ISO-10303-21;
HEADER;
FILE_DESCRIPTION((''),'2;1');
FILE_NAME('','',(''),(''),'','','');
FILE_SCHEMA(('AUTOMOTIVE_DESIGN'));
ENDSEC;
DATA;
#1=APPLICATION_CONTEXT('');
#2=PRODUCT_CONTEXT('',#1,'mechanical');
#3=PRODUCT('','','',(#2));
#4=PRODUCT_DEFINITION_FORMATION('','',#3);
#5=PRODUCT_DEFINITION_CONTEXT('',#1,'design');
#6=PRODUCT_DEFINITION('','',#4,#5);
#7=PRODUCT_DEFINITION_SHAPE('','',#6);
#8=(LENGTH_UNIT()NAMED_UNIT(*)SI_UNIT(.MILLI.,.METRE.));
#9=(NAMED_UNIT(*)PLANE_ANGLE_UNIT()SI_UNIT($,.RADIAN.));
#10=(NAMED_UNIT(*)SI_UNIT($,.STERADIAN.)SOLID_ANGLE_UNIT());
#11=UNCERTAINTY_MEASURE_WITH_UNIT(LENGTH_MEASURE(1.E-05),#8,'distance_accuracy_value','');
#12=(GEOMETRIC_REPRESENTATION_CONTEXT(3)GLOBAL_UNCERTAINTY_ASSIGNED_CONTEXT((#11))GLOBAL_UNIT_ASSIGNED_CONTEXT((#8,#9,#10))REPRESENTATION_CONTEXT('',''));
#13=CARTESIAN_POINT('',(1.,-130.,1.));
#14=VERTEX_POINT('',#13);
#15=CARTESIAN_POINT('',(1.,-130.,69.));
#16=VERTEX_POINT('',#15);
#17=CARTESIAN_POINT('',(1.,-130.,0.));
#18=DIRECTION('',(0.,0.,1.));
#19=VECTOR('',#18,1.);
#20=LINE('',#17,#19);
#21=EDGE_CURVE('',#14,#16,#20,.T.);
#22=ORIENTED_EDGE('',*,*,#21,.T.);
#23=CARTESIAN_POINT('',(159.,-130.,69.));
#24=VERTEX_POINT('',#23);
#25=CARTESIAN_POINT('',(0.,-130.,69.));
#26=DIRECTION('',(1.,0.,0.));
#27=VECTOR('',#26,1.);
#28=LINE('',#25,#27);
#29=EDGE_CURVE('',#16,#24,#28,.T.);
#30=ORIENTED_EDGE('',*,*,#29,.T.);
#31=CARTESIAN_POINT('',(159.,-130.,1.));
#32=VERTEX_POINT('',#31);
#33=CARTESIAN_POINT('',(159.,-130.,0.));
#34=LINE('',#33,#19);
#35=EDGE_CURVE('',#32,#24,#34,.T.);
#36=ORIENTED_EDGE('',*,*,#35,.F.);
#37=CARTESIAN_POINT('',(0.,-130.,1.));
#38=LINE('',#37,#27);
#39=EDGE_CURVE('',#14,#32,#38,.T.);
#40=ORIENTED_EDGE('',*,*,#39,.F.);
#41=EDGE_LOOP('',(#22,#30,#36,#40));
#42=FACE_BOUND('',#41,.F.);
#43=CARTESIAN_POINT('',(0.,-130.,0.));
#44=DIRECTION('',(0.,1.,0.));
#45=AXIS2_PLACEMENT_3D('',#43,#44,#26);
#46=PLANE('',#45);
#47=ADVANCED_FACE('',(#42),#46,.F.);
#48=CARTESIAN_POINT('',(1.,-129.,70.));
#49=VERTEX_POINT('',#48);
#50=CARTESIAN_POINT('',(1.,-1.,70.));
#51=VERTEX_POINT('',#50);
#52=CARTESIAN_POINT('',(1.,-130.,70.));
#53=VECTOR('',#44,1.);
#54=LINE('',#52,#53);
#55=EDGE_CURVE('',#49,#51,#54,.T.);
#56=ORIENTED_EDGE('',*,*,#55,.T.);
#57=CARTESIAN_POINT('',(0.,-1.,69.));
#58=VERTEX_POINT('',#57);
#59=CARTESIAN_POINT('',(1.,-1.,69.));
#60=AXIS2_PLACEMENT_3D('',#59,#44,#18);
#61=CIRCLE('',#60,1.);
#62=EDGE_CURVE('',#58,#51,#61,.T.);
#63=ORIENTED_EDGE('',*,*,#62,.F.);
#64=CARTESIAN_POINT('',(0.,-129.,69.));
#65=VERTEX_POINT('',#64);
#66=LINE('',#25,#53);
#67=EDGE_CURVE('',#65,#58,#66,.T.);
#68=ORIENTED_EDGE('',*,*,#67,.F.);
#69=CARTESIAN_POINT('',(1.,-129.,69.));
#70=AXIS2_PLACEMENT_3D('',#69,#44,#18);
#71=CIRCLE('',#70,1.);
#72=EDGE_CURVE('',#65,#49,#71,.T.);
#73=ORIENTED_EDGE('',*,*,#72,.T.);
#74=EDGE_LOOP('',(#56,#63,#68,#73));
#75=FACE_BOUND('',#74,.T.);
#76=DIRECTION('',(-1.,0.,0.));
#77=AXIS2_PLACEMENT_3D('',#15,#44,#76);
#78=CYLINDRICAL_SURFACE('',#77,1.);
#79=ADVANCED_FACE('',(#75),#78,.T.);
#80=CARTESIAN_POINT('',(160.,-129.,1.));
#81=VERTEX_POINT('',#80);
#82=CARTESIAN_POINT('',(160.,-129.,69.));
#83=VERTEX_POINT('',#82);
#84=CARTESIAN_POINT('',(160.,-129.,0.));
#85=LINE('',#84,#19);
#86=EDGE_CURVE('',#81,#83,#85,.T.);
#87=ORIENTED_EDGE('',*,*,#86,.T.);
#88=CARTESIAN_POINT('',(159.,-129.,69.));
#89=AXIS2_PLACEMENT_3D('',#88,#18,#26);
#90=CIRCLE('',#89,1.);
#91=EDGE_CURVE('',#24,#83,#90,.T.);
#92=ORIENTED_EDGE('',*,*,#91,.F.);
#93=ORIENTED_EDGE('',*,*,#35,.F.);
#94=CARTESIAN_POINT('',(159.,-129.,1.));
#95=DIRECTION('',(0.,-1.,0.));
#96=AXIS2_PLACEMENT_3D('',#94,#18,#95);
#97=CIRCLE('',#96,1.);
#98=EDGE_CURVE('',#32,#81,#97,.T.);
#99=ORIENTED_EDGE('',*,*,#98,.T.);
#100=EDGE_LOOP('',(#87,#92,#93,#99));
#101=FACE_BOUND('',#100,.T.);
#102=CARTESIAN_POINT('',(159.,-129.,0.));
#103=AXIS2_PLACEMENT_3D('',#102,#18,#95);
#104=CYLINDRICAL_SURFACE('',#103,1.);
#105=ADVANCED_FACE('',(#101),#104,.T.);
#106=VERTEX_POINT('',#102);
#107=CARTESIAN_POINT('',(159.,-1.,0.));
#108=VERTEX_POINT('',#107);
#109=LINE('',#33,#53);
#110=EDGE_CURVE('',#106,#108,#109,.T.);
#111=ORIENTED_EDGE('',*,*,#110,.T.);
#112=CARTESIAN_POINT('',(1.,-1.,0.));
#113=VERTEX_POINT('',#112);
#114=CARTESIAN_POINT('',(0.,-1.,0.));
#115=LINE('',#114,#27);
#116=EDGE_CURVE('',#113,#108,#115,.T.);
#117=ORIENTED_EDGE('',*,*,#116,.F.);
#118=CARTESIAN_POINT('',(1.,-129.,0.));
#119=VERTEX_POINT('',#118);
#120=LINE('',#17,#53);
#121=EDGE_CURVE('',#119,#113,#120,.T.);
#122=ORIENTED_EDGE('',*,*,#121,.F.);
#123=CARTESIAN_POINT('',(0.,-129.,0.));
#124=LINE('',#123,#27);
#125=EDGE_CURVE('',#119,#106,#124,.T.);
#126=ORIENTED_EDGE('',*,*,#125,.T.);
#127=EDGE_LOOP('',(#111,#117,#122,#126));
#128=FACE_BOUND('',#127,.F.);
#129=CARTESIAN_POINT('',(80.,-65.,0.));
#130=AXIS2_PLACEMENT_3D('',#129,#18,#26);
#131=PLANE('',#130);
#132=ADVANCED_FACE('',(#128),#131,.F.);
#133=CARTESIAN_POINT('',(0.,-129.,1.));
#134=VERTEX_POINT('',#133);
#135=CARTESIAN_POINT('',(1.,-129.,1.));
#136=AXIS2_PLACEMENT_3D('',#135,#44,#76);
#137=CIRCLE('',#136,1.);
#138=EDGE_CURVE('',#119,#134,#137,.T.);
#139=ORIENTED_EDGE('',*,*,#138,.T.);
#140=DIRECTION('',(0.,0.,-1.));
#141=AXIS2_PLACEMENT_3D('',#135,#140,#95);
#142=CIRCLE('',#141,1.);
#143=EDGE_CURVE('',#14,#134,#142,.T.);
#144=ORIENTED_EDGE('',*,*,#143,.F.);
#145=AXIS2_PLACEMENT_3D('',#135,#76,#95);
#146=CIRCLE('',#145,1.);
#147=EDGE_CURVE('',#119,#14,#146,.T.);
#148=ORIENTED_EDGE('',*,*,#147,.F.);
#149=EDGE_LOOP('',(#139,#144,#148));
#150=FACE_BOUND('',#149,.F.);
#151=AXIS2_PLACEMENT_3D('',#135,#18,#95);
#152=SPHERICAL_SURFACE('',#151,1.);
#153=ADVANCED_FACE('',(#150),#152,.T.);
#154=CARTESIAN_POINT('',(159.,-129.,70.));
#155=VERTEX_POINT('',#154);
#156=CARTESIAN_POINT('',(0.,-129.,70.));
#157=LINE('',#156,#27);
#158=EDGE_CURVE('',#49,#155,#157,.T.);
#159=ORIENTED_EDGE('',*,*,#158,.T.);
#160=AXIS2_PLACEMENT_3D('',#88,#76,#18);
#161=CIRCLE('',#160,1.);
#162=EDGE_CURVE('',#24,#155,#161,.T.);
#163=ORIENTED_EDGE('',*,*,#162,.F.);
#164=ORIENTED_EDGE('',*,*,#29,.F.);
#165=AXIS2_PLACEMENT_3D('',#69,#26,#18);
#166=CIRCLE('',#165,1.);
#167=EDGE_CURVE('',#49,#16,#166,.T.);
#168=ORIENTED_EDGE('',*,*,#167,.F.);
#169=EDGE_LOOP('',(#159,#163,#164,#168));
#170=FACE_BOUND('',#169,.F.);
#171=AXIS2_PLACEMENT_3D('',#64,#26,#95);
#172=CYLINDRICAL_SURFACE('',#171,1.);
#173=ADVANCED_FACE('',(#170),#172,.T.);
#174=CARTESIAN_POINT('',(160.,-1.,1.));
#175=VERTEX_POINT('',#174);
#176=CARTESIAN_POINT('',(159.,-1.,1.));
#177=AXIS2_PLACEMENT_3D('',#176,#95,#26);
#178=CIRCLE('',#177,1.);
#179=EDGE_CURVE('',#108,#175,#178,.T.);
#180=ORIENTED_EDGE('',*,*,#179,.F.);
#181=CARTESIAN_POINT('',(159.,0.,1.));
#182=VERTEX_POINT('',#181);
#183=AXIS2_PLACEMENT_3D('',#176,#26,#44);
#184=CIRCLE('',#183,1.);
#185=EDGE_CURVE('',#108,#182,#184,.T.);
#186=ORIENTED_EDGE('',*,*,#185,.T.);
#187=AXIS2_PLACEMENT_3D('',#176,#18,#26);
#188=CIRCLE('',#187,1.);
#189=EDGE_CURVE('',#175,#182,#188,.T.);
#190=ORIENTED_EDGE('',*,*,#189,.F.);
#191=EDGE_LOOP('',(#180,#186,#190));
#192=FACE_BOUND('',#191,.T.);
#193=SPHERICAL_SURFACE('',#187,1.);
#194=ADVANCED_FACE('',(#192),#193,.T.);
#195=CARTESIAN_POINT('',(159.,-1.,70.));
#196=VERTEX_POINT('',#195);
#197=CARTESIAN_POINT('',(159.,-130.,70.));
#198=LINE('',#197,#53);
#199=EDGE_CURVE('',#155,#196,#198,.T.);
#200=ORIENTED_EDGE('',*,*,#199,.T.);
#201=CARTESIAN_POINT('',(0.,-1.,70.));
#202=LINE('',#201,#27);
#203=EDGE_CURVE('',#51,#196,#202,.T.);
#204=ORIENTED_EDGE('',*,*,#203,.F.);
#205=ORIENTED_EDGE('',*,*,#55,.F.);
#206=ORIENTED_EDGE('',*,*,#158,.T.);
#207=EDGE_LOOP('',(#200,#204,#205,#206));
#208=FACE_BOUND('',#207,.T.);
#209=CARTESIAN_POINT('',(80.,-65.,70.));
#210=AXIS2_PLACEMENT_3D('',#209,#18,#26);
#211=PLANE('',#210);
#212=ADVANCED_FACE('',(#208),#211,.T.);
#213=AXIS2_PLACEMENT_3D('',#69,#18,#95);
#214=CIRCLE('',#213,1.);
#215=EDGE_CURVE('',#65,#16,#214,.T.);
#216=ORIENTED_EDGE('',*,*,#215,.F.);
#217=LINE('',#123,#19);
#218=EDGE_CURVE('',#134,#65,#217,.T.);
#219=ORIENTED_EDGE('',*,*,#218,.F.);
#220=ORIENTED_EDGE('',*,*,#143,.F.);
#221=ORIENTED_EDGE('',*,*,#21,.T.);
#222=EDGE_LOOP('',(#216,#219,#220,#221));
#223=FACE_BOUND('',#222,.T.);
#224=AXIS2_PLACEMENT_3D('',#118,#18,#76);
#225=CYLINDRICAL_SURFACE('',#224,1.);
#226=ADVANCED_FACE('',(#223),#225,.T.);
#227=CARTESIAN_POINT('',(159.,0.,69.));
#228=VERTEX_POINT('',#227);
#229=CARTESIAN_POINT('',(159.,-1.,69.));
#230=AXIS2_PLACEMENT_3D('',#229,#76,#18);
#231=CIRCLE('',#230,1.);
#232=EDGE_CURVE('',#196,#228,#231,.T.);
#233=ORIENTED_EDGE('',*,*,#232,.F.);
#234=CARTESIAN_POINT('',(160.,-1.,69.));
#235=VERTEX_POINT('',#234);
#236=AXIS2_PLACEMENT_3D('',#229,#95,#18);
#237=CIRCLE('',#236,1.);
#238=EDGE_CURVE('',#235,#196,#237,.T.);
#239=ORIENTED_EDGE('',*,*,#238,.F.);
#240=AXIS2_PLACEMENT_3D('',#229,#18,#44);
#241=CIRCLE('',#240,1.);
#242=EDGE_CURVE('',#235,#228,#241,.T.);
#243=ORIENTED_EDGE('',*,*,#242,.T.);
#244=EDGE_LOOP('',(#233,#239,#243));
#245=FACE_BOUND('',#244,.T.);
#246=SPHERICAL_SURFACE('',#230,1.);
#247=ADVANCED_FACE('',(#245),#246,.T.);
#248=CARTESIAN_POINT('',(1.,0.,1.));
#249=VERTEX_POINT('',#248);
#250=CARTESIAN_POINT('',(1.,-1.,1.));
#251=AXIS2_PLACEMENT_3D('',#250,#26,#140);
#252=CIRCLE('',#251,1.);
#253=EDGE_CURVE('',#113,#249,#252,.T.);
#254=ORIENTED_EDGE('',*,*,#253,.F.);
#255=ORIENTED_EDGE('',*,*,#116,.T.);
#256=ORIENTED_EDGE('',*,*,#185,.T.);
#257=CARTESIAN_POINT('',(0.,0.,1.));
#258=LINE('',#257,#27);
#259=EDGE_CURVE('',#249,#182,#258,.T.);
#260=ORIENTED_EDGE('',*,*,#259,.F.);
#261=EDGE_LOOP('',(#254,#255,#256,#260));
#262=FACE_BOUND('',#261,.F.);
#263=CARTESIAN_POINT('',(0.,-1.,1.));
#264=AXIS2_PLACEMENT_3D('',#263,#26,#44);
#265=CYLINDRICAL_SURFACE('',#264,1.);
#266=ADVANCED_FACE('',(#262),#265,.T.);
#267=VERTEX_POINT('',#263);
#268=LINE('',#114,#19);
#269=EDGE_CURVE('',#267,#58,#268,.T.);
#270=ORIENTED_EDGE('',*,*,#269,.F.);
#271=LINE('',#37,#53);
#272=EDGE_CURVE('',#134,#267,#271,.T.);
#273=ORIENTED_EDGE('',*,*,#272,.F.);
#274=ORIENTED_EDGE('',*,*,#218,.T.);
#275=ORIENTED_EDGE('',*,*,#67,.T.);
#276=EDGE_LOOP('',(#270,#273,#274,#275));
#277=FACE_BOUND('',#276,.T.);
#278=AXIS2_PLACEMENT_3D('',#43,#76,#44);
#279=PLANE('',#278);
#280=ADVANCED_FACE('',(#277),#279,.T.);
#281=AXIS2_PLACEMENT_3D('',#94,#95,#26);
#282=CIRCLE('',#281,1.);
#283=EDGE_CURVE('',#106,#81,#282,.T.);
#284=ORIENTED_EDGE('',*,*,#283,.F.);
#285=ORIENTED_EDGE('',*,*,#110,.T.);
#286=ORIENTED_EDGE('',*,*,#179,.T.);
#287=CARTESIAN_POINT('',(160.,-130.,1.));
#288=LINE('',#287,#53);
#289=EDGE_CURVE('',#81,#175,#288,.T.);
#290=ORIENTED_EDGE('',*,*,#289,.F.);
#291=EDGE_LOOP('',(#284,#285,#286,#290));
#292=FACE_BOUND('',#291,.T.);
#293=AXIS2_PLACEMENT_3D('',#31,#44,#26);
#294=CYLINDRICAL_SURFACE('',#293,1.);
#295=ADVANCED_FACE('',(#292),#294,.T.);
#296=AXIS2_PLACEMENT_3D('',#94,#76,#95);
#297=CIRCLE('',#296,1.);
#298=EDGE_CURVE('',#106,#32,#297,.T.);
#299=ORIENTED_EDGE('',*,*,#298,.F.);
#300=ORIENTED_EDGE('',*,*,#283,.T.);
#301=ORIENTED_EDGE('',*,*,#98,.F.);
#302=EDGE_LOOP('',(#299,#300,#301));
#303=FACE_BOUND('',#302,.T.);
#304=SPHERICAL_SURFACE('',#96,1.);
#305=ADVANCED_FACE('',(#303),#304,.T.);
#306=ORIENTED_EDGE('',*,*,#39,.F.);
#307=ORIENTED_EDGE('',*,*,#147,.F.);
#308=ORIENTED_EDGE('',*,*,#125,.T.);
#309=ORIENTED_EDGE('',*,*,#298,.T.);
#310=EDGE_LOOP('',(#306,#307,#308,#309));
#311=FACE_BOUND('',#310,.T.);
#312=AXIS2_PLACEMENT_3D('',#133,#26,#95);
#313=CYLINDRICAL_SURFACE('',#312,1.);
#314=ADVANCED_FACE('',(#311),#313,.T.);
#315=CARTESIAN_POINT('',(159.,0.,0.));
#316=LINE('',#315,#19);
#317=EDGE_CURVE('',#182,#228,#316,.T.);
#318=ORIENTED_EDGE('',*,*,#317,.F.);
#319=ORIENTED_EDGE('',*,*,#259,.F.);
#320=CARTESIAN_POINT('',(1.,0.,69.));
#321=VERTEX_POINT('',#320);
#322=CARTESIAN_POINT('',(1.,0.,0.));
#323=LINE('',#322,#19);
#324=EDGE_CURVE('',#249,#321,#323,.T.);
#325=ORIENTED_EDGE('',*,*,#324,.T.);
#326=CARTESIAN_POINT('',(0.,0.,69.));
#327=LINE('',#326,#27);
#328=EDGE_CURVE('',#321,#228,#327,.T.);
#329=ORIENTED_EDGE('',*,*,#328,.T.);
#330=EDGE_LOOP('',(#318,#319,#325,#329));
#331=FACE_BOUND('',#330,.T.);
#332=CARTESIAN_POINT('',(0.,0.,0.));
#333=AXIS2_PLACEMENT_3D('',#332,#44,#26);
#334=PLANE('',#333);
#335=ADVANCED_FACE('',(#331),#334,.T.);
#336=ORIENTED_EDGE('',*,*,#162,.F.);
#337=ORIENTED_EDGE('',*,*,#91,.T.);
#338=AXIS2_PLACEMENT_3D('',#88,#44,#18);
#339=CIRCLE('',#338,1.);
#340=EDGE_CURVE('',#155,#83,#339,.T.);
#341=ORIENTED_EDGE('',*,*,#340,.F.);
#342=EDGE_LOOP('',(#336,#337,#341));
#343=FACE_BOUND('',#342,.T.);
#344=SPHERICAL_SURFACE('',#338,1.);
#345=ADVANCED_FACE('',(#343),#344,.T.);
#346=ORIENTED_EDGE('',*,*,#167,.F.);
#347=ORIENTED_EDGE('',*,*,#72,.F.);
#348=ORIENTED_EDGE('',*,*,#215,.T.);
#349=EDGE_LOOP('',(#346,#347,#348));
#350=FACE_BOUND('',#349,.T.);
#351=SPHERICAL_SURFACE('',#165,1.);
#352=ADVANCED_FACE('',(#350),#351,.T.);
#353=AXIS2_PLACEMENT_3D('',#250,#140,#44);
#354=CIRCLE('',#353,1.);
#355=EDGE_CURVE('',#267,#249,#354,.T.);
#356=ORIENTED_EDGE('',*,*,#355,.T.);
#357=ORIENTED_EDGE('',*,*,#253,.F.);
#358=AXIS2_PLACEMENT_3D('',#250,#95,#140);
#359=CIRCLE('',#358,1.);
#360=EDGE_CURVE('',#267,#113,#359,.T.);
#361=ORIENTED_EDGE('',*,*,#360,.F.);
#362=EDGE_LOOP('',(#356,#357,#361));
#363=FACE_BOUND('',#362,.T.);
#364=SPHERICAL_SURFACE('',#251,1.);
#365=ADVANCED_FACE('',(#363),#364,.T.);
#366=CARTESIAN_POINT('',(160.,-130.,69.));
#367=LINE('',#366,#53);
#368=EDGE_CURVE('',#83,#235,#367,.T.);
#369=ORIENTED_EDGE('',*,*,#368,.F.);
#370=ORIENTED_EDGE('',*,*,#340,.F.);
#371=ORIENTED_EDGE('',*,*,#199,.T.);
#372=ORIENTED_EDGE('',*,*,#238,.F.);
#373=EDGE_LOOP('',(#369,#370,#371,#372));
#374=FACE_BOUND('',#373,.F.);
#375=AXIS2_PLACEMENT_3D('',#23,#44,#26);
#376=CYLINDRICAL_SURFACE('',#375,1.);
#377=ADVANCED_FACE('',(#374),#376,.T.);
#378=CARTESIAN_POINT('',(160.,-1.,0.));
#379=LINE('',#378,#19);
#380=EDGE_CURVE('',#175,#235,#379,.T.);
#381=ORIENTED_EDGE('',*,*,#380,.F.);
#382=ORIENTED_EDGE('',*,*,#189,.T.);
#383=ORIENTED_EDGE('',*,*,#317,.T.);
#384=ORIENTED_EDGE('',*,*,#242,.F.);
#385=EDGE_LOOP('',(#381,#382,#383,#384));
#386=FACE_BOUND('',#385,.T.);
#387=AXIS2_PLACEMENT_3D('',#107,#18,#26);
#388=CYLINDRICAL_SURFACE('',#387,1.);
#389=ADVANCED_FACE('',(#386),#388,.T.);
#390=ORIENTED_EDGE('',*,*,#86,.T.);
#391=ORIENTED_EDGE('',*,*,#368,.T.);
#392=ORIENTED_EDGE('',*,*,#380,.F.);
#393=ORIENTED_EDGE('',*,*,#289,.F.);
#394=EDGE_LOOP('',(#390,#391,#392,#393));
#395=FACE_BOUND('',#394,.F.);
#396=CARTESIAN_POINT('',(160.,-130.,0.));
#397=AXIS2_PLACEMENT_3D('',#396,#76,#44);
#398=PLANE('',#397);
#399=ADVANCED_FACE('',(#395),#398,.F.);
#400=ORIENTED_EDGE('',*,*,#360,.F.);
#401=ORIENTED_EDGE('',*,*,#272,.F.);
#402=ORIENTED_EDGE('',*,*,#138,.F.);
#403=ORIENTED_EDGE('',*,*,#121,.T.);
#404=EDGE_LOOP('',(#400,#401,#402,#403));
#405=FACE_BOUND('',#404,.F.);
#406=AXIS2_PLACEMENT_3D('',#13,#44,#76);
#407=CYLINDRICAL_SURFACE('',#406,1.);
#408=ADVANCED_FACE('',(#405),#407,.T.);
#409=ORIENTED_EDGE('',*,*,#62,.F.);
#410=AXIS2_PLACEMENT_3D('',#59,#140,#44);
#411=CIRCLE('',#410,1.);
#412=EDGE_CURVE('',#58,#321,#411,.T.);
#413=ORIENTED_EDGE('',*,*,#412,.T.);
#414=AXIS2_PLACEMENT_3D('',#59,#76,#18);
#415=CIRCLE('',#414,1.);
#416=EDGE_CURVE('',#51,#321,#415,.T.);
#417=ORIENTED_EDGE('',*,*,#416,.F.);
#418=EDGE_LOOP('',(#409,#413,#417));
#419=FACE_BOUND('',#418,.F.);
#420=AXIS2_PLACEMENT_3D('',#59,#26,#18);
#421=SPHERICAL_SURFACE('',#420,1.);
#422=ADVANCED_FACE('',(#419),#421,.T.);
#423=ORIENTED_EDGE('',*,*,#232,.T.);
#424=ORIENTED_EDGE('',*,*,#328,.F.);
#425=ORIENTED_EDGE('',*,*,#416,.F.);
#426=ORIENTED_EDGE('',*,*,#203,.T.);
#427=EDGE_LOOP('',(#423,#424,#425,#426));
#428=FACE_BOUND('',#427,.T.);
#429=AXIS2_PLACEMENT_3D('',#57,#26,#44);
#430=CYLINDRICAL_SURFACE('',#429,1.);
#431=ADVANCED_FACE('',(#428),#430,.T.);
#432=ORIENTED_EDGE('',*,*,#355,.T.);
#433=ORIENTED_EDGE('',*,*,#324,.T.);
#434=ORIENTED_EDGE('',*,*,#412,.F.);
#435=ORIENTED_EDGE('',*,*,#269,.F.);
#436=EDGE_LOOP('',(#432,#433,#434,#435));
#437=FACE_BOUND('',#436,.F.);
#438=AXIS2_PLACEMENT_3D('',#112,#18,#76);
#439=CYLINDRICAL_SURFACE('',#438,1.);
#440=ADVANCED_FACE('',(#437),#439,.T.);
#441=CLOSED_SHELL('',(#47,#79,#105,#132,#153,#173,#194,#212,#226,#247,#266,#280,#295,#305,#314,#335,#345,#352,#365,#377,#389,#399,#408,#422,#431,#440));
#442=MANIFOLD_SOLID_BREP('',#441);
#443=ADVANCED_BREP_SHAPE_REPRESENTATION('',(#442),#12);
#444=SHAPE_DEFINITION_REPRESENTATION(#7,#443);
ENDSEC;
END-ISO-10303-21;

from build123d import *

# Parameters (mm, degrees)
SKETCH_W  = 160
SKETCH_H  = 130
PAD_DEPTH = 70
FILLET_R  = 1


with BuildPart() as part:
    # Sketch → Pad (new body)
    with BuildSketch(Plane.XY):
        with Locations((80, -65)):
            Rectangle(SKETCH_W, SKETCH_H)
    extrude(amount=PAD_DEPTH)

    # Fillet
    fillet_edges = [part.edges().sort_by_distance(p)[0] for p in [
        (80, 0, 70),
        (160, -65, 70),
        (80, -130, 70),
        (0, -65, 70),
        (160, -130, 35),
        (0, -130, 35),
        (80, -130, 0),
        (160, 0, 35),
        (160, -65, 0),
        (80, 0, 0),
        (0, -65, 0),
        (0, 0, 35),
    ]]
    fillet(fillet_edges, radius=FILLET_R)


solid = part.part
